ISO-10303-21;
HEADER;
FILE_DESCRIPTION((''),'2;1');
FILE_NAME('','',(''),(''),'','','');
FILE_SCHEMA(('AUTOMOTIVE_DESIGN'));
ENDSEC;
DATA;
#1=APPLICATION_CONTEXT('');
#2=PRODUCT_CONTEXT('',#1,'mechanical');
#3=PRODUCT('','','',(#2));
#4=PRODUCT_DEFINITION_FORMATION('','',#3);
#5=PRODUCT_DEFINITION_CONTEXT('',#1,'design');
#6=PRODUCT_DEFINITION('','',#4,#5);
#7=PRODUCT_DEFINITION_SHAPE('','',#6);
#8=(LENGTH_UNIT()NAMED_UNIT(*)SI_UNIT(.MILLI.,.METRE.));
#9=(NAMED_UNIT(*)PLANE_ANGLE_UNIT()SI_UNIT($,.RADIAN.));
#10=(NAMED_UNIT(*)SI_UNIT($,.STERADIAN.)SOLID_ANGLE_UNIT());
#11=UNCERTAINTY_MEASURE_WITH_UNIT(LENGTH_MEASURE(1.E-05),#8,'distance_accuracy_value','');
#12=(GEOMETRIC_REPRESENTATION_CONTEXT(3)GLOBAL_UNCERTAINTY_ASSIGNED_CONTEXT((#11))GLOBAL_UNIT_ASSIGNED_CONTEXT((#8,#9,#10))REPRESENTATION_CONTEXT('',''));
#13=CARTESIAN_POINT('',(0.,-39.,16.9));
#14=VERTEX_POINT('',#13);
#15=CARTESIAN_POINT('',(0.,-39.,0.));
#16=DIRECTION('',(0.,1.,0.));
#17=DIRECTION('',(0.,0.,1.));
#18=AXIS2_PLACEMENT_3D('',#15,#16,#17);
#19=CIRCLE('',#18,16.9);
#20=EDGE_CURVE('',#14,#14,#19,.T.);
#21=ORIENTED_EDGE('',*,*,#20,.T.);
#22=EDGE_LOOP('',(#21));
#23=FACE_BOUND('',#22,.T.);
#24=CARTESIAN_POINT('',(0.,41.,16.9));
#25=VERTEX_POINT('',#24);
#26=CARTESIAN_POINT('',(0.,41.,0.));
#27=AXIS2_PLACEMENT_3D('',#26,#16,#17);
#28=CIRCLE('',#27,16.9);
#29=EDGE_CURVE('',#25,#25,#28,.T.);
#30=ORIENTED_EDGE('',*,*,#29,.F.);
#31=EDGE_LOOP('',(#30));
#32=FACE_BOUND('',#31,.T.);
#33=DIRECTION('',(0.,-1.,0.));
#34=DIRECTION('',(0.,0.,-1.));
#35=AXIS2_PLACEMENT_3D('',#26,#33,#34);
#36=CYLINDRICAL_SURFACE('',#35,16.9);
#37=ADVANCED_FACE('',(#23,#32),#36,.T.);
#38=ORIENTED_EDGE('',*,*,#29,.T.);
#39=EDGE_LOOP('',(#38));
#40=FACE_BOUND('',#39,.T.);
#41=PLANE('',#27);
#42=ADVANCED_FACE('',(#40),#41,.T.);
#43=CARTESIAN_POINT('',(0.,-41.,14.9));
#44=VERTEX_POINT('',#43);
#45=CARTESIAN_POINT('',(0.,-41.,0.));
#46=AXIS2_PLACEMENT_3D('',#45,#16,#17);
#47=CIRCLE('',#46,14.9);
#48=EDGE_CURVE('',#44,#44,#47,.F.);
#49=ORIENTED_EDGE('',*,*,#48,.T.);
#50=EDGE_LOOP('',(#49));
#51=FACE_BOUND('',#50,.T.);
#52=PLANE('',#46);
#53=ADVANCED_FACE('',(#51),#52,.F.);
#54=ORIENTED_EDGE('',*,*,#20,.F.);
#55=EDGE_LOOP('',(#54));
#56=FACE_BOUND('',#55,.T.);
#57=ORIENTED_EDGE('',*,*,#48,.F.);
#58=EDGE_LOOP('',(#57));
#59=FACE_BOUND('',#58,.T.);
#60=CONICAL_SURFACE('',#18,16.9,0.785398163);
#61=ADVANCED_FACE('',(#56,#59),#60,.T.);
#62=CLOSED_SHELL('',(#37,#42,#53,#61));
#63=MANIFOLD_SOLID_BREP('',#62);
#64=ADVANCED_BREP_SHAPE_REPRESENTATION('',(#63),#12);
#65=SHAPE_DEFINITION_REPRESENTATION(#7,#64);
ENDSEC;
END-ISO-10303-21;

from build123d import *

# Parameters (mm, degrees)
SKETCH1_R           = 16.9
BOSS_EXTRUDE1_DEPTH = 41
CHAMFER1_SIZE       = 2


with BuildPart() as part:
    # Sketch1 → Boss-Extrude1 (new, symmetric)
    with BuildSketch(Plane(origin=(0, 0, 0), x_dir=(1, 0, 0), z_dir=(0, 1, 0))):
        with Locations(Location((0, 0, 0), (0, 0, 270))):
            Circle(SKETCH1_R)
    extrude(amount=BOSS_EXTRUDE1_DEPTH, both=True)

    # Chamfer1
    chamfer1_edges = [part.edges().sort_by_distance(p)[0] for p in [
        (0, -41, -16.9),
    ]]
    chamfer(chamfer1_edges, length=CHAMFER1_SIZE)


solid = part.part
